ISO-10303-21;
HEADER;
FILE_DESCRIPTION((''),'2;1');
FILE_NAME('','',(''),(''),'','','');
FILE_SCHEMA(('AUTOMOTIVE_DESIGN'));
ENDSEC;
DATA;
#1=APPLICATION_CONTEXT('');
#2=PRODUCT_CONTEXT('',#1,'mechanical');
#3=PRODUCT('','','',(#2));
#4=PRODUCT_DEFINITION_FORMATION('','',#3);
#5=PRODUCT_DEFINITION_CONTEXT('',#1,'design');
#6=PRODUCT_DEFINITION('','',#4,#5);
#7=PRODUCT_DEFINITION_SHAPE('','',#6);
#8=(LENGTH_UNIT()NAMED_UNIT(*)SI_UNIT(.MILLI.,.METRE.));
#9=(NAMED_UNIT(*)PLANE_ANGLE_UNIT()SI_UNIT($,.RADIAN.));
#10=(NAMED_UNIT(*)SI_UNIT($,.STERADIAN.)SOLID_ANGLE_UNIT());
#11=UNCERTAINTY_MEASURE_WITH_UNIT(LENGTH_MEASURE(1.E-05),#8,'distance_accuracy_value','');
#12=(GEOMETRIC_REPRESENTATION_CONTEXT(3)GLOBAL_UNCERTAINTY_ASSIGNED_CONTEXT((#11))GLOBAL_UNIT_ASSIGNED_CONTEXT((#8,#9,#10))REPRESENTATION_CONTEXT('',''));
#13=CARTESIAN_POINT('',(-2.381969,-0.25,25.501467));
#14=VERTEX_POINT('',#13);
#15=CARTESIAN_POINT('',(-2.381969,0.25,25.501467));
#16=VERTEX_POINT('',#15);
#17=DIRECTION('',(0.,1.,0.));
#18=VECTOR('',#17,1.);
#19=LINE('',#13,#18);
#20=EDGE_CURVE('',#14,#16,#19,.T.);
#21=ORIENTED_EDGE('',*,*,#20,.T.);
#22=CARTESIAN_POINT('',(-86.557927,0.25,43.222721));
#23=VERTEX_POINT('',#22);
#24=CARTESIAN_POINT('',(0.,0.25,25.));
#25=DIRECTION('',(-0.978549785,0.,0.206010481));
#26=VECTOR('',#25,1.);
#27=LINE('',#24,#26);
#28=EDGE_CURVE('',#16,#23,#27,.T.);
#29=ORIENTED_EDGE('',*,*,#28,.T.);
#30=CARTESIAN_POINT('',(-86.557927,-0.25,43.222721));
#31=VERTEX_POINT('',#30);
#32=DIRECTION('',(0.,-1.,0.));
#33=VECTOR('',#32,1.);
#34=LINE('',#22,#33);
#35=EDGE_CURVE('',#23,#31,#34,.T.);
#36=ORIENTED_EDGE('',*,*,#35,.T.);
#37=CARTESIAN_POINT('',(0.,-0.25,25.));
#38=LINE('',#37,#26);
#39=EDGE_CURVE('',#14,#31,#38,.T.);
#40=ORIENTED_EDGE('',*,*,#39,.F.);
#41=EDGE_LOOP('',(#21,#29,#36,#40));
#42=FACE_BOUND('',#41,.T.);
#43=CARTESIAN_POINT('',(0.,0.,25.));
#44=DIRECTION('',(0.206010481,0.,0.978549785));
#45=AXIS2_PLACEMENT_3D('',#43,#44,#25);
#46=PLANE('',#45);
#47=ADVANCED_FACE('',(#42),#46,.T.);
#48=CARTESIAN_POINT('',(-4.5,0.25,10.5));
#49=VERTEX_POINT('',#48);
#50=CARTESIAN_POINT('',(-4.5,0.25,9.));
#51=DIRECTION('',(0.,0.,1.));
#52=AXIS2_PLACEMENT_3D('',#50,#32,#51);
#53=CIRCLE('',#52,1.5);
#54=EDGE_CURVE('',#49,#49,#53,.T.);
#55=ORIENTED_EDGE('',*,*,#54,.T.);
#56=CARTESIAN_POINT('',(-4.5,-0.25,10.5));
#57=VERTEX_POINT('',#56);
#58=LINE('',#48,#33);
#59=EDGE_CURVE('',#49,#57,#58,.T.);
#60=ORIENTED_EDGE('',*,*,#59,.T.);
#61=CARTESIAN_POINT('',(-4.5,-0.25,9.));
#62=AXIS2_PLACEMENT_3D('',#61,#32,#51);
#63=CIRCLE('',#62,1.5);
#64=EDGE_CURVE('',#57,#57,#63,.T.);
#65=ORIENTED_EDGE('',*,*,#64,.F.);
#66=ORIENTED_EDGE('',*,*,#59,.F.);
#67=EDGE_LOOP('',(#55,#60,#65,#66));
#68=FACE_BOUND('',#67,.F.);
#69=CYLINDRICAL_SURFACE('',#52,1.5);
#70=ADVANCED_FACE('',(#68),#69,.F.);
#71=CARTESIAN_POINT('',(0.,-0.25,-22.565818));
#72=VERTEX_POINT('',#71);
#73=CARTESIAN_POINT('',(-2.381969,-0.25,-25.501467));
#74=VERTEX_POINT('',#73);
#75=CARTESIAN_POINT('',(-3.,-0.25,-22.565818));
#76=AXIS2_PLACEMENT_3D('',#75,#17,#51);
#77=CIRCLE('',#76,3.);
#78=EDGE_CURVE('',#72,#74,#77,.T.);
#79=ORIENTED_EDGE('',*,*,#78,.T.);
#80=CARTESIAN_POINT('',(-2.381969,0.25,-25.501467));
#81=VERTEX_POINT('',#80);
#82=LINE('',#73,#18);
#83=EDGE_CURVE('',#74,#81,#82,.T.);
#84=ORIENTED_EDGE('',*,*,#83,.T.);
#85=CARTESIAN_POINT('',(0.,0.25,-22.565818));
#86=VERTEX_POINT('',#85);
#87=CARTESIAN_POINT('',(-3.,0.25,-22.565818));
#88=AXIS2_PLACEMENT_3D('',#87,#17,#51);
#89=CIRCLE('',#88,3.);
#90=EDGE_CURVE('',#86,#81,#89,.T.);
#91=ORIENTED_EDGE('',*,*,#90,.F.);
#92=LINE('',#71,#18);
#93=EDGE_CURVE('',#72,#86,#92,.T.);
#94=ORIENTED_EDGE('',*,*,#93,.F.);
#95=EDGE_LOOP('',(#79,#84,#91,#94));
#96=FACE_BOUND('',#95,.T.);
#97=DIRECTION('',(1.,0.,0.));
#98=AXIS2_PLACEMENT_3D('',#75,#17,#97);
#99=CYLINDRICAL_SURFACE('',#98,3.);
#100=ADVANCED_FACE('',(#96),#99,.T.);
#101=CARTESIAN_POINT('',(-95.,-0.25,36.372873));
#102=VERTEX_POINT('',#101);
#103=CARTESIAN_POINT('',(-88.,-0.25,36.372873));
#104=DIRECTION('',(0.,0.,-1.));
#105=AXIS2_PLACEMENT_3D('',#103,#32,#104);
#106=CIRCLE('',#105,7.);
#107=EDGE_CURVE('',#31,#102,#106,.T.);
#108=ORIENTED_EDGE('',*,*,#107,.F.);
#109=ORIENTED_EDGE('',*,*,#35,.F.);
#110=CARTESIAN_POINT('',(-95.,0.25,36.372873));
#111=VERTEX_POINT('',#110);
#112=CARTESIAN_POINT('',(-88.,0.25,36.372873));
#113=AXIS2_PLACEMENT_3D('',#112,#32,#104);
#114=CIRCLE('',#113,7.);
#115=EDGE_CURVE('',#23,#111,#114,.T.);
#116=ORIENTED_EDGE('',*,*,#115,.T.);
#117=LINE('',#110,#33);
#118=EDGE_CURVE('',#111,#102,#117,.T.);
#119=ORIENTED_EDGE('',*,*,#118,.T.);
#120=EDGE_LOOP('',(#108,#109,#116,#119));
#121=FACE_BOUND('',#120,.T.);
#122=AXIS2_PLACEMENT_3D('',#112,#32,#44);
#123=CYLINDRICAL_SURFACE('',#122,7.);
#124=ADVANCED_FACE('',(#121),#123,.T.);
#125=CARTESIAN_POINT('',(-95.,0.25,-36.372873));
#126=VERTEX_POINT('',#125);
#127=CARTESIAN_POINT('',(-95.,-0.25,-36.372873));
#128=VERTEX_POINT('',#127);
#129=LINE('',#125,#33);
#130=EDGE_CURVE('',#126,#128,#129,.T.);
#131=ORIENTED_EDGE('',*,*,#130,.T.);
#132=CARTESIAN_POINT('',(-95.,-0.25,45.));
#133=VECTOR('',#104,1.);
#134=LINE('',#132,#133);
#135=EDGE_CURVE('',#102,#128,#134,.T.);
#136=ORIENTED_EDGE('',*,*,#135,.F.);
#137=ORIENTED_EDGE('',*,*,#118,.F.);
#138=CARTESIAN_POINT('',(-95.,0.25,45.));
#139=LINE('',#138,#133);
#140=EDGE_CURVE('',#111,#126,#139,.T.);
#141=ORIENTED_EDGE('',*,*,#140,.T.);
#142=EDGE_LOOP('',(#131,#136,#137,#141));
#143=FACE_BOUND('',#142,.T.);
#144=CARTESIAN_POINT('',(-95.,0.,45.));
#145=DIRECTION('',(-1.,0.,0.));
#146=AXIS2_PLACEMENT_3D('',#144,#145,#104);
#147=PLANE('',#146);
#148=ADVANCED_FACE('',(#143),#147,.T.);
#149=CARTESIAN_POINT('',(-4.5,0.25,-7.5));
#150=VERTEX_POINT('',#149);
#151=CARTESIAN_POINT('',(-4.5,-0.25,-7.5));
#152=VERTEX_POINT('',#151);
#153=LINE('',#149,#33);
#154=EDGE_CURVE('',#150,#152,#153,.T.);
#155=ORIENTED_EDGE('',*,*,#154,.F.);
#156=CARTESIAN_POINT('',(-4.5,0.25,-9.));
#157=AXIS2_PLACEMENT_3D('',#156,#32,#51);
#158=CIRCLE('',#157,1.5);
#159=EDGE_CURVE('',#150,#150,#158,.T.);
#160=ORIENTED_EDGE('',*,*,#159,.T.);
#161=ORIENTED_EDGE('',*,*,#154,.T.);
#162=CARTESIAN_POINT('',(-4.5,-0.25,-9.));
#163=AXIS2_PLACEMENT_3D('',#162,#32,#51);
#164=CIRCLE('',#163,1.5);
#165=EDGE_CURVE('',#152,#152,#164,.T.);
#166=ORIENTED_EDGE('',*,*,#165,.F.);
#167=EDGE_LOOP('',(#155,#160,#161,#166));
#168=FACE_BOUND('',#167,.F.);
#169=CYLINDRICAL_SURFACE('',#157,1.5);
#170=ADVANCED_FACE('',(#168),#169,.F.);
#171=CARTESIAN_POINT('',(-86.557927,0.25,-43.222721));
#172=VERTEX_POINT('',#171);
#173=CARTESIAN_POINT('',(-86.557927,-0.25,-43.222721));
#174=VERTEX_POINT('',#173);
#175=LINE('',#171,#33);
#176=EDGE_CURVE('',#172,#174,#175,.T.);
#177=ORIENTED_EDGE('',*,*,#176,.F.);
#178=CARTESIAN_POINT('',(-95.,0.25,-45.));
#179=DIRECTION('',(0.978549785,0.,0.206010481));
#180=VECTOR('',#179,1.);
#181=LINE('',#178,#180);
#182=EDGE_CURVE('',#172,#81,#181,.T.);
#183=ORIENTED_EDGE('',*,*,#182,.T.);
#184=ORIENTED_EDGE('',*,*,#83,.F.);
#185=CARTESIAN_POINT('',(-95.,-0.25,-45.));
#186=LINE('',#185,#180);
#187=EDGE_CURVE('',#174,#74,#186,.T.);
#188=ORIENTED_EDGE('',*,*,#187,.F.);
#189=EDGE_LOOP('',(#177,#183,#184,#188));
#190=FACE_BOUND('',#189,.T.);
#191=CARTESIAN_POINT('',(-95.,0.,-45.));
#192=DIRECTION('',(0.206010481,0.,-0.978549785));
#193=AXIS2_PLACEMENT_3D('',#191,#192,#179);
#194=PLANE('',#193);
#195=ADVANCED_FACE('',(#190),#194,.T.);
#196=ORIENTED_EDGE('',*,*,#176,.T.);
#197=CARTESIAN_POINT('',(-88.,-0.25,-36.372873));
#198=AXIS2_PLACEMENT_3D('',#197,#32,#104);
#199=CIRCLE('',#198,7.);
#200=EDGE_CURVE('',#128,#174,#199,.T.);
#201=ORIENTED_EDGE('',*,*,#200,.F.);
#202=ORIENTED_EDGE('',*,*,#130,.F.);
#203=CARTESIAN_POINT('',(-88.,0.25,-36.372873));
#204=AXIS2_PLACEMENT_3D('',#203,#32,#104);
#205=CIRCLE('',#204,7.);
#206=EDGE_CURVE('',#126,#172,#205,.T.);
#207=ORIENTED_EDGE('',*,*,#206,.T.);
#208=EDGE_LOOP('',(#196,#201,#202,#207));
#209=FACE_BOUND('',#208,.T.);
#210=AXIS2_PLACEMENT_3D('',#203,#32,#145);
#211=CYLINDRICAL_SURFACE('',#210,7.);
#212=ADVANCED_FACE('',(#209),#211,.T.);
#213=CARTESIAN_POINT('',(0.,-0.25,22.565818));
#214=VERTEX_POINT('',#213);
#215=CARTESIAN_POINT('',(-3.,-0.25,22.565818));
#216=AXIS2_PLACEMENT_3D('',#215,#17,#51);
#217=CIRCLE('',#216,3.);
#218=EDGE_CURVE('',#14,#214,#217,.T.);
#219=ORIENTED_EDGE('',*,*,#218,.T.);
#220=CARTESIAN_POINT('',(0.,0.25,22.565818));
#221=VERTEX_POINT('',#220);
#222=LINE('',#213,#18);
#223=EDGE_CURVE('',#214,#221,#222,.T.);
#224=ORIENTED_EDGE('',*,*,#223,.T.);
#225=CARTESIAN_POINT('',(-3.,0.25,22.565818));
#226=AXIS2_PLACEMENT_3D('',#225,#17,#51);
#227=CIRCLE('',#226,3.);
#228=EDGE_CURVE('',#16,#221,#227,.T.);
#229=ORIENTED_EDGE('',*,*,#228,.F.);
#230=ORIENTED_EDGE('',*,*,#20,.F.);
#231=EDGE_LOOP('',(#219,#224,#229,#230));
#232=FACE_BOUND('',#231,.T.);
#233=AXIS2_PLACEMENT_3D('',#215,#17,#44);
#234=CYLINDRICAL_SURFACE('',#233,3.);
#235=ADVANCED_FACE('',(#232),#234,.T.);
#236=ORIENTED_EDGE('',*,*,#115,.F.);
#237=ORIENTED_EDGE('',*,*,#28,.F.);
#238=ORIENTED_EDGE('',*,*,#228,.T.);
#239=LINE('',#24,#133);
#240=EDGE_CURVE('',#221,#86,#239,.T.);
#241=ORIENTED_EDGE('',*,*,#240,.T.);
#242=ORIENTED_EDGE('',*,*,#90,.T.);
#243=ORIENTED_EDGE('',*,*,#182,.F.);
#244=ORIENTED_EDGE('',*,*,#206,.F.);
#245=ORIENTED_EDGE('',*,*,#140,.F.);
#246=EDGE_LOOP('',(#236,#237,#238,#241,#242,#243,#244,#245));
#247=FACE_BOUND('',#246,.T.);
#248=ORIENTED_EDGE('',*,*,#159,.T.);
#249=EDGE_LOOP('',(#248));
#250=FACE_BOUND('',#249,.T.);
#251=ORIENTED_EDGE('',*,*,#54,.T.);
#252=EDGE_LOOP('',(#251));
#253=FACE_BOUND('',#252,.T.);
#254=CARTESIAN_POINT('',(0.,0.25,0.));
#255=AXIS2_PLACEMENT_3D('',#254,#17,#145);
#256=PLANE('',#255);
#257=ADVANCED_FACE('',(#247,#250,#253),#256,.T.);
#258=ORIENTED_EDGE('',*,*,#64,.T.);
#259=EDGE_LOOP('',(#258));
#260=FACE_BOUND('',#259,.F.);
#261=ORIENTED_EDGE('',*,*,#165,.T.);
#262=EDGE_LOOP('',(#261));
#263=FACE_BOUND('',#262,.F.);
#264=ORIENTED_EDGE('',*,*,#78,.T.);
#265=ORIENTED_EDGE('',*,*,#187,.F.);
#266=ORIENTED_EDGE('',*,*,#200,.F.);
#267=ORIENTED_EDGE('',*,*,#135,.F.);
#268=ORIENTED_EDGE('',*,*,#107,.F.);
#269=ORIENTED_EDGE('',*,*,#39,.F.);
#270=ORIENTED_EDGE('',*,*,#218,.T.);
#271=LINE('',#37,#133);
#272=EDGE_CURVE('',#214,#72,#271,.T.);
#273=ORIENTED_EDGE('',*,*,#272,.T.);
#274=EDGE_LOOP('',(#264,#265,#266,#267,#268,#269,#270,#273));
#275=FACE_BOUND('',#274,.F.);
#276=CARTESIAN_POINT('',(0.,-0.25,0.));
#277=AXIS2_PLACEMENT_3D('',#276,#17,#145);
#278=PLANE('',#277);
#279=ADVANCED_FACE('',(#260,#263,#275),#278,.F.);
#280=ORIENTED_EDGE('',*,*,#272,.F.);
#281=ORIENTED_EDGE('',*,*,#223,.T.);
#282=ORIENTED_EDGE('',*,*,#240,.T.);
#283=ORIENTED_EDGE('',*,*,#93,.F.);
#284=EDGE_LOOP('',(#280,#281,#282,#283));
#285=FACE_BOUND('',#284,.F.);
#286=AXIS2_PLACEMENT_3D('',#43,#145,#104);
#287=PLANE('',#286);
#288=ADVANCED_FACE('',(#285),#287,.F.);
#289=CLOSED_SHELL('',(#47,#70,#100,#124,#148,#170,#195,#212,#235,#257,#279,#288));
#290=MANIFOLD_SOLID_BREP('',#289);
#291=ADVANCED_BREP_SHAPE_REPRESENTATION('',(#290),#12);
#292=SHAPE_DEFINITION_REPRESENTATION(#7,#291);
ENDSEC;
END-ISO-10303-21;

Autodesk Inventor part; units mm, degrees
ref_plane "YZ Plane" through (0, 0, 0) normal (1, 0, 0) x (0, 1, 0)
ref_plane "XZ Plane" through (0, 0, 0) normal (0, 1, 0) x (-1, 0, 0)
ref_plane "XY Plane" through (0, 0, 0) normal (0, 0, 1) x (1, 0, 0)
sketch "Skizze1" plane through (0, 0, 0) normal (0, 1, 0) x (-1, 0, 0)
  line L0 (0, 25) -> (0, -25)
  line L1 (0, 25) -> (95, 45)
  line L2 (95, 45) -> (95, -45)
  line L3 (95, -45) -> (0, -25)
  point P0 (0, 0)
  point P1 (0, 0)
  dimension "d0" = 90
  dimension "d1" = 95
  dimension "d2" = 50
extrude "Grobblech1" add sketch "Skizze1" along normal mid plane 0.5
sketch "Skizze3" plane through (0, 0.25, 0) normal (0, 1, 0) x (1, 0, 0)
  line L0 (0, 25) -> (0, -25) projected
  point P0 (0, 0)
  point P1 (-4.5, -9)
  point P2 (-4.5, 9)
  dimension "d16" = 16
  dimension "d17" = 16
  dimension "d18" = 4.5
  dimension "d19" = 4.5
hole "Bohrung2" at (-4.5, 0.25, 9) at (-4.5, 0.25, -9) direction (0, -1, 0) diameter 3 end through all
fillet "Rundung1" radius 7 2 edges at (-95, 0, -45) (-95, 0, 45)
fillet "Rundung2" radius 3 2 edges at (0, 0, -25) (0, 0, 25)
equation "\"d3\" = Stärke"
equation "\"Biegeradius\" = Stärke"
equation "\"BreiteBiegungsfreistellung\" = Stärke"
equation "\"TiefeBiegungsfreistellung\" = 0.5 * Stärke"
equation "\"GrößeEckenfreistellung\" = 4 * Stärke"
equation "\"MinimalRest\" = 2 * Stärke"
equation "\"Übergangsradius\" = Biegeradius"
equation "\"JacobiRadiusGröße\" = Biegeradius"
equation "\"Abstandsgröße\" = Stärke"
equation "\"Stärke\" = 0.5"
properties part number "propeller_extensions" material "Glas"
